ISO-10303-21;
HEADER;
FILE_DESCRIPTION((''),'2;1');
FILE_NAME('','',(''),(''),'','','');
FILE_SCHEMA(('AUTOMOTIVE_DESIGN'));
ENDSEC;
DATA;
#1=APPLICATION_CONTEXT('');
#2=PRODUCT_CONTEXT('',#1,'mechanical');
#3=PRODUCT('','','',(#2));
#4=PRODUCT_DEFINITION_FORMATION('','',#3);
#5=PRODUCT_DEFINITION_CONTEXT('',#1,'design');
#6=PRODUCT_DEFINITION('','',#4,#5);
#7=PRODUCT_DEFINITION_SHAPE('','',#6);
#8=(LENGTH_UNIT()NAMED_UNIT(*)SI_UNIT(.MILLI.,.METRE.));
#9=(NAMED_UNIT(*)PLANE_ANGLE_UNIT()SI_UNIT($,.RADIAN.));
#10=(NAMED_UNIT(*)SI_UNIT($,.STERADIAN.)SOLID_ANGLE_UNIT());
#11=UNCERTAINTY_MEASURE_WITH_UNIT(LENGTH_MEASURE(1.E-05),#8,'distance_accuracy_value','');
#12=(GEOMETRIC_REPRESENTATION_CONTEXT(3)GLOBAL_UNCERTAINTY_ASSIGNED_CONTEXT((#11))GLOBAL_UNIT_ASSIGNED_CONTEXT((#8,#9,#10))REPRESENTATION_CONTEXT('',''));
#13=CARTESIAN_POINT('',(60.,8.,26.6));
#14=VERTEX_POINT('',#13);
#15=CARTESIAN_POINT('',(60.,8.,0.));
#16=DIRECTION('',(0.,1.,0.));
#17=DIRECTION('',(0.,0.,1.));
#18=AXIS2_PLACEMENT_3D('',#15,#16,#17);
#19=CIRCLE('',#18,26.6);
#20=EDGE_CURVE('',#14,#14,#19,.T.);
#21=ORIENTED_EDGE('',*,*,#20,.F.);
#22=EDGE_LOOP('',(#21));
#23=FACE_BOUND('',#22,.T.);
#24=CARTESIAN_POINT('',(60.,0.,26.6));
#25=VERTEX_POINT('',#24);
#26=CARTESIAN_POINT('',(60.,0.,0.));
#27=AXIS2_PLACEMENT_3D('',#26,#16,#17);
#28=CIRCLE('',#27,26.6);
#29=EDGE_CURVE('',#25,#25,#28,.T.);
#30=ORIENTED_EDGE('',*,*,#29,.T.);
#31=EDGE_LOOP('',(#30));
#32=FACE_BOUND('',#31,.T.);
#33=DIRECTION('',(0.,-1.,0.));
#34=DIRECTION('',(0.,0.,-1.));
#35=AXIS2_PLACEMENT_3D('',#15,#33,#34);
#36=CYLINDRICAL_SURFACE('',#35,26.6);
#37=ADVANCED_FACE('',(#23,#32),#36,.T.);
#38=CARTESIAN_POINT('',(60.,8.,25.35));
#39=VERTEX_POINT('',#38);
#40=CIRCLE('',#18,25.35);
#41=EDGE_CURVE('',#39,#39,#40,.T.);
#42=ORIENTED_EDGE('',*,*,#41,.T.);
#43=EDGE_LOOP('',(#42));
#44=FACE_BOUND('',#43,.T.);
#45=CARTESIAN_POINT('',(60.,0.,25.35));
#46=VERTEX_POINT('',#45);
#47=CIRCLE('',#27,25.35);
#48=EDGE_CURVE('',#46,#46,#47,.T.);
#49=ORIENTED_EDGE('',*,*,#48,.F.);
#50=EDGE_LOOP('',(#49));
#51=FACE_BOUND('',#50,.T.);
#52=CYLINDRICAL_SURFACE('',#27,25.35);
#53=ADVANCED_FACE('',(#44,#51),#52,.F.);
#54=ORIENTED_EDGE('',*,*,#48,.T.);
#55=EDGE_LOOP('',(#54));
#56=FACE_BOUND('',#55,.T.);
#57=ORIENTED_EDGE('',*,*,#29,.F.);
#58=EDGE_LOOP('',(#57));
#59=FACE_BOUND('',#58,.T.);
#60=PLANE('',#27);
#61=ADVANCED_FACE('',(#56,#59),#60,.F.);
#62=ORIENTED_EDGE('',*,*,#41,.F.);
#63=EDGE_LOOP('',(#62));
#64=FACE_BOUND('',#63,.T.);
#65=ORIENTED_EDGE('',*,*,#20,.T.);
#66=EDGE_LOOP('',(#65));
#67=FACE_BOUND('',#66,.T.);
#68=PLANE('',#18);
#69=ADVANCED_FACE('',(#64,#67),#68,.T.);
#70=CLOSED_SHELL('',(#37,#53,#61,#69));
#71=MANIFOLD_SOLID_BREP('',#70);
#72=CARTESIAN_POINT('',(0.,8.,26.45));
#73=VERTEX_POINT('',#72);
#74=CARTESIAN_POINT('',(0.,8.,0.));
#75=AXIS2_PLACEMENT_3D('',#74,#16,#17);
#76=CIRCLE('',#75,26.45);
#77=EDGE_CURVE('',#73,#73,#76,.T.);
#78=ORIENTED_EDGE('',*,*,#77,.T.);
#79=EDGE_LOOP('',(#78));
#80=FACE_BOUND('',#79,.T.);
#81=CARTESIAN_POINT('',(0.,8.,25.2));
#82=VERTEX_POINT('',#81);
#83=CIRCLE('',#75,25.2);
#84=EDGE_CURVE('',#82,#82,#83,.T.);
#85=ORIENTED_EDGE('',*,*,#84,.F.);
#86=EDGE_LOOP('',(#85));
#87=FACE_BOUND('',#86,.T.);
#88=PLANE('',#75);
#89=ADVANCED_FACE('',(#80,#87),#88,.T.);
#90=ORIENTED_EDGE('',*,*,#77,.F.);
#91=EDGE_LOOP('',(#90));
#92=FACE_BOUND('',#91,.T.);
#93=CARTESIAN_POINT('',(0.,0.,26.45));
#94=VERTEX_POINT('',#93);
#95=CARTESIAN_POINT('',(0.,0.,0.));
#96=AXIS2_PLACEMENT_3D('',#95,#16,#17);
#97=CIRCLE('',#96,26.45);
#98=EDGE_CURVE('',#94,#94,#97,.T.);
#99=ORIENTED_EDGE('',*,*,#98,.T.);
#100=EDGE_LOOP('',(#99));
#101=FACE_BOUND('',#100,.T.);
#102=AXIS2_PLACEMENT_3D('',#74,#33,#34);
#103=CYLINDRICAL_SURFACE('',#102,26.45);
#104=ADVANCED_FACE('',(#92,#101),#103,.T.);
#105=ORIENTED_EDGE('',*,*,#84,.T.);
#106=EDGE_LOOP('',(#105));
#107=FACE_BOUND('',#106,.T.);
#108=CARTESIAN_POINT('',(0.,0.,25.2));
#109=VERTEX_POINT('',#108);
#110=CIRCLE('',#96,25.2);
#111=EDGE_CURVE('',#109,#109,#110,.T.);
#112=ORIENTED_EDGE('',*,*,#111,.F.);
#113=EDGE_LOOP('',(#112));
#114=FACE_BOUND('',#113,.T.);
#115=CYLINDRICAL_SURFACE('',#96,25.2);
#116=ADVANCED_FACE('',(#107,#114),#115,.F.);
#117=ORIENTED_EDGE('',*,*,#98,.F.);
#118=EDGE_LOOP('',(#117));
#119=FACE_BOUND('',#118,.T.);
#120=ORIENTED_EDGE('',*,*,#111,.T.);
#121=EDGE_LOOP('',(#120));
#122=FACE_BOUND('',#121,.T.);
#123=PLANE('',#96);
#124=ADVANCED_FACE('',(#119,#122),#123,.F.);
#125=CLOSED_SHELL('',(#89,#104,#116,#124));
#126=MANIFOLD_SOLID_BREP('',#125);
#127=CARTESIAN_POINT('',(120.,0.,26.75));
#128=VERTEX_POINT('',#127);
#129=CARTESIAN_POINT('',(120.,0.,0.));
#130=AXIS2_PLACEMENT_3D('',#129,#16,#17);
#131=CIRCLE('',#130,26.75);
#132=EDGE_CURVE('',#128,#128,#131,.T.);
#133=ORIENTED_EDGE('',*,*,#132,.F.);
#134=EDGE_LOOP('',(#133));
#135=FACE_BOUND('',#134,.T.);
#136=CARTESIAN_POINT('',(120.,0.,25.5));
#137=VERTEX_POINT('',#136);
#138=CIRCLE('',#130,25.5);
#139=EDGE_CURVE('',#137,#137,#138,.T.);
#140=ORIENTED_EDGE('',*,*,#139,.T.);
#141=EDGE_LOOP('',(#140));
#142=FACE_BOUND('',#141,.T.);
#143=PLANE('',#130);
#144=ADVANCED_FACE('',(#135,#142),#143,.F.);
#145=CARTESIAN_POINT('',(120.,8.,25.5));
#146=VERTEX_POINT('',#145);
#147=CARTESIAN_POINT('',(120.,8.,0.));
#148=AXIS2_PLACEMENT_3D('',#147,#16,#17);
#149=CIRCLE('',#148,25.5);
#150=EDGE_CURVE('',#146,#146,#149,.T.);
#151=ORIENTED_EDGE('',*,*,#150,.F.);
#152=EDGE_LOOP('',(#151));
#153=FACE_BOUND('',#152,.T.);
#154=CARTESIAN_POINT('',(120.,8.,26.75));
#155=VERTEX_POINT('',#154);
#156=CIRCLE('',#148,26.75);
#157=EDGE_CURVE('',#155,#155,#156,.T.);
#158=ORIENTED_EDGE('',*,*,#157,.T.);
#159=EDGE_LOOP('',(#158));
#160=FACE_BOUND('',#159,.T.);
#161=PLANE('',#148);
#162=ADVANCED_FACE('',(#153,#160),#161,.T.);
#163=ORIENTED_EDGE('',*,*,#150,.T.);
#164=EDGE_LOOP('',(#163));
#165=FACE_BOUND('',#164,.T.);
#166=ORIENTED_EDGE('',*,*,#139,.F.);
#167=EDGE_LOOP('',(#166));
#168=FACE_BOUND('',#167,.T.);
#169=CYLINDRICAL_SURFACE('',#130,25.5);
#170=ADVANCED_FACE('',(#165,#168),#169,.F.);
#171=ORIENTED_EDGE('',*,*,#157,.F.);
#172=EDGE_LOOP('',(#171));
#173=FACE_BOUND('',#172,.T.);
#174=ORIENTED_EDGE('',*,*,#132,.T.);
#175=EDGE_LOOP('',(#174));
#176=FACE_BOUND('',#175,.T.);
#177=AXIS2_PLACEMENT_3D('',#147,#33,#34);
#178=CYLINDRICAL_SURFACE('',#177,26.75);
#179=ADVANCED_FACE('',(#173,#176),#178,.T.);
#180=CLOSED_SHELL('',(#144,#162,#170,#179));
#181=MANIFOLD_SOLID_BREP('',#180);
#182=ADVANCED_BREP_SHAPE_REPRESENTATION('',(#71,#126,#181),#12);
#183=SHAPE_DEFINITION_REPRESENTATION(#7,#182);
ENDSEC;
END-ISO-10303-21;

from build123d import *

# Parameters (mm, degrees)
SKETCH2_R               = 26.45
BOSS_EXTRUDE1_DEPTH     = 8
CUT_EXTRUDE1_DEPTH      = 39.2518627
CUT_EXTRUDE1_DEPTH_BACK = 39.2518627
SKETCH3_R               = 25.2
SKETCH5_R               = 26.6
BOSS_EXTRUDE2_DEPTH     = 8
CUT_EXTRUDE2_DEPTH      = 91.945698084
CUT_EXTRUDE2_DEPTH_BACK = 91.945698084
SKETCH6_R               = 25.35
SKETCH7_R               = 26.75
BOSS_EXTRUDE3_DEPTH     = 8
CUT_EXTRUDE3_DEPTH      = 150.382478892
CUT_EXTRUDE3_DEPTH_BACK = 150.382478892
SKETCH8_R               = 25.5


with BuildPart() as part:
    # Sketch2 → Boss-Extrude1 (new body)
    with BuildSketch(Plane(origin=(0, 0, 0), x_dir=(1, 0, 0), z_dir=(0, 1, 0))):
        with Locations(Location((0, 0, 0), (0, 0, 270))):
            Circle(SKETCH2_R)
    extrude(amount=BOSS_EXTRUDE1_DEPTH)

    # Sketch3 → Cut-Extrude1 (cut, two sides: drawn at the far end of the back side and taken through both)
    with BuildSketch(Plane(origin=(0, 8, 0), x_dir=(1, 0, 0), z_dir=(0, 1, 0)).offset(-CUT_EXTRUDE1_DEPTH_BACK)):
        with Locations(Location((0, 0, 0), (0, 0, 270))):
            Circle(SKETCH3_R)
    extrude(amount=CUT_EXTRUDE1_DEPTH + CUT_EXTRUDE1_DEPTH_BACK, mode=Mode.SUBTRACT)


with BuildPart() as body_2:
    # Sketch5 → Boss-Extrude2 (new body)
    with BuildSketch(Plane(origin=(0, 0, 0), x_dir=(1, 0, 0), z_dir=(0, 1, 0))):
        with Locations(Location((60, 0, 0), (0, 0, 270))):
            Circle(SKETCH5_R)
    extrude(amount=BOSS_EXTRUDE2_DEPTH)

    # Sketch6 → Cut-Extrude2 (cut, two sides: drawn at the far end of the back side and taken through both)
    with BuildSketch(Plane(origin=(0, 8, 0), x_dir=(1, 0, 0), z_dir=(0, 1, 0)).offset(-CUT_EXTRUDE2_DEPTH_BACK)):
        with Locations(Location((60, 0, 0), (0, 0, 270))):
            Circle(SKETCH6_R)
    extrude(amount=CUT_EXTRUDE2_DEPTH + CUT_EXTRUDE2_DEPTH_BACK, mode=Mode.SUBTRACT)


with BuildPart() as body_3:
    # Sketch7 → Boss-Extrude3 (new body)
    with BuildSketch(Plane(origin=(0, 0, 0), x_dir=(1, 0, 0), z_dir=(0, 1, 0))):
        with Locations(Location((120, 0, 0), (0, 0, 270))):
            Circle(SKETCH7_R)
    extrude(amount=BOSS_EXTRUDE3_DEPTH)

    # Sketch8 → Cut-Extrude3 (cut, two sides: drawn at the far end of the back side and taken through both)
    with BuildSketch(Plane(origin=(0, 8, 0), x_dir=(1, 0, 0), z_dir=(0, 1, 0)).offset(-CUT_EXTRUDE3_DEPTH_BACK)):
        with Locations(Location((120, 0, 0), (0, 0, 270))):
            Circle(SKETCH8_R)
    extrude(amount=CUT_EXTRUDE3_DEPTH + CUT_EXTRUDE3_DEPTH_BACK, mode=Mode.SUBTRACT)


solid = Compound([part.part, body_2.part, body_3.part])
